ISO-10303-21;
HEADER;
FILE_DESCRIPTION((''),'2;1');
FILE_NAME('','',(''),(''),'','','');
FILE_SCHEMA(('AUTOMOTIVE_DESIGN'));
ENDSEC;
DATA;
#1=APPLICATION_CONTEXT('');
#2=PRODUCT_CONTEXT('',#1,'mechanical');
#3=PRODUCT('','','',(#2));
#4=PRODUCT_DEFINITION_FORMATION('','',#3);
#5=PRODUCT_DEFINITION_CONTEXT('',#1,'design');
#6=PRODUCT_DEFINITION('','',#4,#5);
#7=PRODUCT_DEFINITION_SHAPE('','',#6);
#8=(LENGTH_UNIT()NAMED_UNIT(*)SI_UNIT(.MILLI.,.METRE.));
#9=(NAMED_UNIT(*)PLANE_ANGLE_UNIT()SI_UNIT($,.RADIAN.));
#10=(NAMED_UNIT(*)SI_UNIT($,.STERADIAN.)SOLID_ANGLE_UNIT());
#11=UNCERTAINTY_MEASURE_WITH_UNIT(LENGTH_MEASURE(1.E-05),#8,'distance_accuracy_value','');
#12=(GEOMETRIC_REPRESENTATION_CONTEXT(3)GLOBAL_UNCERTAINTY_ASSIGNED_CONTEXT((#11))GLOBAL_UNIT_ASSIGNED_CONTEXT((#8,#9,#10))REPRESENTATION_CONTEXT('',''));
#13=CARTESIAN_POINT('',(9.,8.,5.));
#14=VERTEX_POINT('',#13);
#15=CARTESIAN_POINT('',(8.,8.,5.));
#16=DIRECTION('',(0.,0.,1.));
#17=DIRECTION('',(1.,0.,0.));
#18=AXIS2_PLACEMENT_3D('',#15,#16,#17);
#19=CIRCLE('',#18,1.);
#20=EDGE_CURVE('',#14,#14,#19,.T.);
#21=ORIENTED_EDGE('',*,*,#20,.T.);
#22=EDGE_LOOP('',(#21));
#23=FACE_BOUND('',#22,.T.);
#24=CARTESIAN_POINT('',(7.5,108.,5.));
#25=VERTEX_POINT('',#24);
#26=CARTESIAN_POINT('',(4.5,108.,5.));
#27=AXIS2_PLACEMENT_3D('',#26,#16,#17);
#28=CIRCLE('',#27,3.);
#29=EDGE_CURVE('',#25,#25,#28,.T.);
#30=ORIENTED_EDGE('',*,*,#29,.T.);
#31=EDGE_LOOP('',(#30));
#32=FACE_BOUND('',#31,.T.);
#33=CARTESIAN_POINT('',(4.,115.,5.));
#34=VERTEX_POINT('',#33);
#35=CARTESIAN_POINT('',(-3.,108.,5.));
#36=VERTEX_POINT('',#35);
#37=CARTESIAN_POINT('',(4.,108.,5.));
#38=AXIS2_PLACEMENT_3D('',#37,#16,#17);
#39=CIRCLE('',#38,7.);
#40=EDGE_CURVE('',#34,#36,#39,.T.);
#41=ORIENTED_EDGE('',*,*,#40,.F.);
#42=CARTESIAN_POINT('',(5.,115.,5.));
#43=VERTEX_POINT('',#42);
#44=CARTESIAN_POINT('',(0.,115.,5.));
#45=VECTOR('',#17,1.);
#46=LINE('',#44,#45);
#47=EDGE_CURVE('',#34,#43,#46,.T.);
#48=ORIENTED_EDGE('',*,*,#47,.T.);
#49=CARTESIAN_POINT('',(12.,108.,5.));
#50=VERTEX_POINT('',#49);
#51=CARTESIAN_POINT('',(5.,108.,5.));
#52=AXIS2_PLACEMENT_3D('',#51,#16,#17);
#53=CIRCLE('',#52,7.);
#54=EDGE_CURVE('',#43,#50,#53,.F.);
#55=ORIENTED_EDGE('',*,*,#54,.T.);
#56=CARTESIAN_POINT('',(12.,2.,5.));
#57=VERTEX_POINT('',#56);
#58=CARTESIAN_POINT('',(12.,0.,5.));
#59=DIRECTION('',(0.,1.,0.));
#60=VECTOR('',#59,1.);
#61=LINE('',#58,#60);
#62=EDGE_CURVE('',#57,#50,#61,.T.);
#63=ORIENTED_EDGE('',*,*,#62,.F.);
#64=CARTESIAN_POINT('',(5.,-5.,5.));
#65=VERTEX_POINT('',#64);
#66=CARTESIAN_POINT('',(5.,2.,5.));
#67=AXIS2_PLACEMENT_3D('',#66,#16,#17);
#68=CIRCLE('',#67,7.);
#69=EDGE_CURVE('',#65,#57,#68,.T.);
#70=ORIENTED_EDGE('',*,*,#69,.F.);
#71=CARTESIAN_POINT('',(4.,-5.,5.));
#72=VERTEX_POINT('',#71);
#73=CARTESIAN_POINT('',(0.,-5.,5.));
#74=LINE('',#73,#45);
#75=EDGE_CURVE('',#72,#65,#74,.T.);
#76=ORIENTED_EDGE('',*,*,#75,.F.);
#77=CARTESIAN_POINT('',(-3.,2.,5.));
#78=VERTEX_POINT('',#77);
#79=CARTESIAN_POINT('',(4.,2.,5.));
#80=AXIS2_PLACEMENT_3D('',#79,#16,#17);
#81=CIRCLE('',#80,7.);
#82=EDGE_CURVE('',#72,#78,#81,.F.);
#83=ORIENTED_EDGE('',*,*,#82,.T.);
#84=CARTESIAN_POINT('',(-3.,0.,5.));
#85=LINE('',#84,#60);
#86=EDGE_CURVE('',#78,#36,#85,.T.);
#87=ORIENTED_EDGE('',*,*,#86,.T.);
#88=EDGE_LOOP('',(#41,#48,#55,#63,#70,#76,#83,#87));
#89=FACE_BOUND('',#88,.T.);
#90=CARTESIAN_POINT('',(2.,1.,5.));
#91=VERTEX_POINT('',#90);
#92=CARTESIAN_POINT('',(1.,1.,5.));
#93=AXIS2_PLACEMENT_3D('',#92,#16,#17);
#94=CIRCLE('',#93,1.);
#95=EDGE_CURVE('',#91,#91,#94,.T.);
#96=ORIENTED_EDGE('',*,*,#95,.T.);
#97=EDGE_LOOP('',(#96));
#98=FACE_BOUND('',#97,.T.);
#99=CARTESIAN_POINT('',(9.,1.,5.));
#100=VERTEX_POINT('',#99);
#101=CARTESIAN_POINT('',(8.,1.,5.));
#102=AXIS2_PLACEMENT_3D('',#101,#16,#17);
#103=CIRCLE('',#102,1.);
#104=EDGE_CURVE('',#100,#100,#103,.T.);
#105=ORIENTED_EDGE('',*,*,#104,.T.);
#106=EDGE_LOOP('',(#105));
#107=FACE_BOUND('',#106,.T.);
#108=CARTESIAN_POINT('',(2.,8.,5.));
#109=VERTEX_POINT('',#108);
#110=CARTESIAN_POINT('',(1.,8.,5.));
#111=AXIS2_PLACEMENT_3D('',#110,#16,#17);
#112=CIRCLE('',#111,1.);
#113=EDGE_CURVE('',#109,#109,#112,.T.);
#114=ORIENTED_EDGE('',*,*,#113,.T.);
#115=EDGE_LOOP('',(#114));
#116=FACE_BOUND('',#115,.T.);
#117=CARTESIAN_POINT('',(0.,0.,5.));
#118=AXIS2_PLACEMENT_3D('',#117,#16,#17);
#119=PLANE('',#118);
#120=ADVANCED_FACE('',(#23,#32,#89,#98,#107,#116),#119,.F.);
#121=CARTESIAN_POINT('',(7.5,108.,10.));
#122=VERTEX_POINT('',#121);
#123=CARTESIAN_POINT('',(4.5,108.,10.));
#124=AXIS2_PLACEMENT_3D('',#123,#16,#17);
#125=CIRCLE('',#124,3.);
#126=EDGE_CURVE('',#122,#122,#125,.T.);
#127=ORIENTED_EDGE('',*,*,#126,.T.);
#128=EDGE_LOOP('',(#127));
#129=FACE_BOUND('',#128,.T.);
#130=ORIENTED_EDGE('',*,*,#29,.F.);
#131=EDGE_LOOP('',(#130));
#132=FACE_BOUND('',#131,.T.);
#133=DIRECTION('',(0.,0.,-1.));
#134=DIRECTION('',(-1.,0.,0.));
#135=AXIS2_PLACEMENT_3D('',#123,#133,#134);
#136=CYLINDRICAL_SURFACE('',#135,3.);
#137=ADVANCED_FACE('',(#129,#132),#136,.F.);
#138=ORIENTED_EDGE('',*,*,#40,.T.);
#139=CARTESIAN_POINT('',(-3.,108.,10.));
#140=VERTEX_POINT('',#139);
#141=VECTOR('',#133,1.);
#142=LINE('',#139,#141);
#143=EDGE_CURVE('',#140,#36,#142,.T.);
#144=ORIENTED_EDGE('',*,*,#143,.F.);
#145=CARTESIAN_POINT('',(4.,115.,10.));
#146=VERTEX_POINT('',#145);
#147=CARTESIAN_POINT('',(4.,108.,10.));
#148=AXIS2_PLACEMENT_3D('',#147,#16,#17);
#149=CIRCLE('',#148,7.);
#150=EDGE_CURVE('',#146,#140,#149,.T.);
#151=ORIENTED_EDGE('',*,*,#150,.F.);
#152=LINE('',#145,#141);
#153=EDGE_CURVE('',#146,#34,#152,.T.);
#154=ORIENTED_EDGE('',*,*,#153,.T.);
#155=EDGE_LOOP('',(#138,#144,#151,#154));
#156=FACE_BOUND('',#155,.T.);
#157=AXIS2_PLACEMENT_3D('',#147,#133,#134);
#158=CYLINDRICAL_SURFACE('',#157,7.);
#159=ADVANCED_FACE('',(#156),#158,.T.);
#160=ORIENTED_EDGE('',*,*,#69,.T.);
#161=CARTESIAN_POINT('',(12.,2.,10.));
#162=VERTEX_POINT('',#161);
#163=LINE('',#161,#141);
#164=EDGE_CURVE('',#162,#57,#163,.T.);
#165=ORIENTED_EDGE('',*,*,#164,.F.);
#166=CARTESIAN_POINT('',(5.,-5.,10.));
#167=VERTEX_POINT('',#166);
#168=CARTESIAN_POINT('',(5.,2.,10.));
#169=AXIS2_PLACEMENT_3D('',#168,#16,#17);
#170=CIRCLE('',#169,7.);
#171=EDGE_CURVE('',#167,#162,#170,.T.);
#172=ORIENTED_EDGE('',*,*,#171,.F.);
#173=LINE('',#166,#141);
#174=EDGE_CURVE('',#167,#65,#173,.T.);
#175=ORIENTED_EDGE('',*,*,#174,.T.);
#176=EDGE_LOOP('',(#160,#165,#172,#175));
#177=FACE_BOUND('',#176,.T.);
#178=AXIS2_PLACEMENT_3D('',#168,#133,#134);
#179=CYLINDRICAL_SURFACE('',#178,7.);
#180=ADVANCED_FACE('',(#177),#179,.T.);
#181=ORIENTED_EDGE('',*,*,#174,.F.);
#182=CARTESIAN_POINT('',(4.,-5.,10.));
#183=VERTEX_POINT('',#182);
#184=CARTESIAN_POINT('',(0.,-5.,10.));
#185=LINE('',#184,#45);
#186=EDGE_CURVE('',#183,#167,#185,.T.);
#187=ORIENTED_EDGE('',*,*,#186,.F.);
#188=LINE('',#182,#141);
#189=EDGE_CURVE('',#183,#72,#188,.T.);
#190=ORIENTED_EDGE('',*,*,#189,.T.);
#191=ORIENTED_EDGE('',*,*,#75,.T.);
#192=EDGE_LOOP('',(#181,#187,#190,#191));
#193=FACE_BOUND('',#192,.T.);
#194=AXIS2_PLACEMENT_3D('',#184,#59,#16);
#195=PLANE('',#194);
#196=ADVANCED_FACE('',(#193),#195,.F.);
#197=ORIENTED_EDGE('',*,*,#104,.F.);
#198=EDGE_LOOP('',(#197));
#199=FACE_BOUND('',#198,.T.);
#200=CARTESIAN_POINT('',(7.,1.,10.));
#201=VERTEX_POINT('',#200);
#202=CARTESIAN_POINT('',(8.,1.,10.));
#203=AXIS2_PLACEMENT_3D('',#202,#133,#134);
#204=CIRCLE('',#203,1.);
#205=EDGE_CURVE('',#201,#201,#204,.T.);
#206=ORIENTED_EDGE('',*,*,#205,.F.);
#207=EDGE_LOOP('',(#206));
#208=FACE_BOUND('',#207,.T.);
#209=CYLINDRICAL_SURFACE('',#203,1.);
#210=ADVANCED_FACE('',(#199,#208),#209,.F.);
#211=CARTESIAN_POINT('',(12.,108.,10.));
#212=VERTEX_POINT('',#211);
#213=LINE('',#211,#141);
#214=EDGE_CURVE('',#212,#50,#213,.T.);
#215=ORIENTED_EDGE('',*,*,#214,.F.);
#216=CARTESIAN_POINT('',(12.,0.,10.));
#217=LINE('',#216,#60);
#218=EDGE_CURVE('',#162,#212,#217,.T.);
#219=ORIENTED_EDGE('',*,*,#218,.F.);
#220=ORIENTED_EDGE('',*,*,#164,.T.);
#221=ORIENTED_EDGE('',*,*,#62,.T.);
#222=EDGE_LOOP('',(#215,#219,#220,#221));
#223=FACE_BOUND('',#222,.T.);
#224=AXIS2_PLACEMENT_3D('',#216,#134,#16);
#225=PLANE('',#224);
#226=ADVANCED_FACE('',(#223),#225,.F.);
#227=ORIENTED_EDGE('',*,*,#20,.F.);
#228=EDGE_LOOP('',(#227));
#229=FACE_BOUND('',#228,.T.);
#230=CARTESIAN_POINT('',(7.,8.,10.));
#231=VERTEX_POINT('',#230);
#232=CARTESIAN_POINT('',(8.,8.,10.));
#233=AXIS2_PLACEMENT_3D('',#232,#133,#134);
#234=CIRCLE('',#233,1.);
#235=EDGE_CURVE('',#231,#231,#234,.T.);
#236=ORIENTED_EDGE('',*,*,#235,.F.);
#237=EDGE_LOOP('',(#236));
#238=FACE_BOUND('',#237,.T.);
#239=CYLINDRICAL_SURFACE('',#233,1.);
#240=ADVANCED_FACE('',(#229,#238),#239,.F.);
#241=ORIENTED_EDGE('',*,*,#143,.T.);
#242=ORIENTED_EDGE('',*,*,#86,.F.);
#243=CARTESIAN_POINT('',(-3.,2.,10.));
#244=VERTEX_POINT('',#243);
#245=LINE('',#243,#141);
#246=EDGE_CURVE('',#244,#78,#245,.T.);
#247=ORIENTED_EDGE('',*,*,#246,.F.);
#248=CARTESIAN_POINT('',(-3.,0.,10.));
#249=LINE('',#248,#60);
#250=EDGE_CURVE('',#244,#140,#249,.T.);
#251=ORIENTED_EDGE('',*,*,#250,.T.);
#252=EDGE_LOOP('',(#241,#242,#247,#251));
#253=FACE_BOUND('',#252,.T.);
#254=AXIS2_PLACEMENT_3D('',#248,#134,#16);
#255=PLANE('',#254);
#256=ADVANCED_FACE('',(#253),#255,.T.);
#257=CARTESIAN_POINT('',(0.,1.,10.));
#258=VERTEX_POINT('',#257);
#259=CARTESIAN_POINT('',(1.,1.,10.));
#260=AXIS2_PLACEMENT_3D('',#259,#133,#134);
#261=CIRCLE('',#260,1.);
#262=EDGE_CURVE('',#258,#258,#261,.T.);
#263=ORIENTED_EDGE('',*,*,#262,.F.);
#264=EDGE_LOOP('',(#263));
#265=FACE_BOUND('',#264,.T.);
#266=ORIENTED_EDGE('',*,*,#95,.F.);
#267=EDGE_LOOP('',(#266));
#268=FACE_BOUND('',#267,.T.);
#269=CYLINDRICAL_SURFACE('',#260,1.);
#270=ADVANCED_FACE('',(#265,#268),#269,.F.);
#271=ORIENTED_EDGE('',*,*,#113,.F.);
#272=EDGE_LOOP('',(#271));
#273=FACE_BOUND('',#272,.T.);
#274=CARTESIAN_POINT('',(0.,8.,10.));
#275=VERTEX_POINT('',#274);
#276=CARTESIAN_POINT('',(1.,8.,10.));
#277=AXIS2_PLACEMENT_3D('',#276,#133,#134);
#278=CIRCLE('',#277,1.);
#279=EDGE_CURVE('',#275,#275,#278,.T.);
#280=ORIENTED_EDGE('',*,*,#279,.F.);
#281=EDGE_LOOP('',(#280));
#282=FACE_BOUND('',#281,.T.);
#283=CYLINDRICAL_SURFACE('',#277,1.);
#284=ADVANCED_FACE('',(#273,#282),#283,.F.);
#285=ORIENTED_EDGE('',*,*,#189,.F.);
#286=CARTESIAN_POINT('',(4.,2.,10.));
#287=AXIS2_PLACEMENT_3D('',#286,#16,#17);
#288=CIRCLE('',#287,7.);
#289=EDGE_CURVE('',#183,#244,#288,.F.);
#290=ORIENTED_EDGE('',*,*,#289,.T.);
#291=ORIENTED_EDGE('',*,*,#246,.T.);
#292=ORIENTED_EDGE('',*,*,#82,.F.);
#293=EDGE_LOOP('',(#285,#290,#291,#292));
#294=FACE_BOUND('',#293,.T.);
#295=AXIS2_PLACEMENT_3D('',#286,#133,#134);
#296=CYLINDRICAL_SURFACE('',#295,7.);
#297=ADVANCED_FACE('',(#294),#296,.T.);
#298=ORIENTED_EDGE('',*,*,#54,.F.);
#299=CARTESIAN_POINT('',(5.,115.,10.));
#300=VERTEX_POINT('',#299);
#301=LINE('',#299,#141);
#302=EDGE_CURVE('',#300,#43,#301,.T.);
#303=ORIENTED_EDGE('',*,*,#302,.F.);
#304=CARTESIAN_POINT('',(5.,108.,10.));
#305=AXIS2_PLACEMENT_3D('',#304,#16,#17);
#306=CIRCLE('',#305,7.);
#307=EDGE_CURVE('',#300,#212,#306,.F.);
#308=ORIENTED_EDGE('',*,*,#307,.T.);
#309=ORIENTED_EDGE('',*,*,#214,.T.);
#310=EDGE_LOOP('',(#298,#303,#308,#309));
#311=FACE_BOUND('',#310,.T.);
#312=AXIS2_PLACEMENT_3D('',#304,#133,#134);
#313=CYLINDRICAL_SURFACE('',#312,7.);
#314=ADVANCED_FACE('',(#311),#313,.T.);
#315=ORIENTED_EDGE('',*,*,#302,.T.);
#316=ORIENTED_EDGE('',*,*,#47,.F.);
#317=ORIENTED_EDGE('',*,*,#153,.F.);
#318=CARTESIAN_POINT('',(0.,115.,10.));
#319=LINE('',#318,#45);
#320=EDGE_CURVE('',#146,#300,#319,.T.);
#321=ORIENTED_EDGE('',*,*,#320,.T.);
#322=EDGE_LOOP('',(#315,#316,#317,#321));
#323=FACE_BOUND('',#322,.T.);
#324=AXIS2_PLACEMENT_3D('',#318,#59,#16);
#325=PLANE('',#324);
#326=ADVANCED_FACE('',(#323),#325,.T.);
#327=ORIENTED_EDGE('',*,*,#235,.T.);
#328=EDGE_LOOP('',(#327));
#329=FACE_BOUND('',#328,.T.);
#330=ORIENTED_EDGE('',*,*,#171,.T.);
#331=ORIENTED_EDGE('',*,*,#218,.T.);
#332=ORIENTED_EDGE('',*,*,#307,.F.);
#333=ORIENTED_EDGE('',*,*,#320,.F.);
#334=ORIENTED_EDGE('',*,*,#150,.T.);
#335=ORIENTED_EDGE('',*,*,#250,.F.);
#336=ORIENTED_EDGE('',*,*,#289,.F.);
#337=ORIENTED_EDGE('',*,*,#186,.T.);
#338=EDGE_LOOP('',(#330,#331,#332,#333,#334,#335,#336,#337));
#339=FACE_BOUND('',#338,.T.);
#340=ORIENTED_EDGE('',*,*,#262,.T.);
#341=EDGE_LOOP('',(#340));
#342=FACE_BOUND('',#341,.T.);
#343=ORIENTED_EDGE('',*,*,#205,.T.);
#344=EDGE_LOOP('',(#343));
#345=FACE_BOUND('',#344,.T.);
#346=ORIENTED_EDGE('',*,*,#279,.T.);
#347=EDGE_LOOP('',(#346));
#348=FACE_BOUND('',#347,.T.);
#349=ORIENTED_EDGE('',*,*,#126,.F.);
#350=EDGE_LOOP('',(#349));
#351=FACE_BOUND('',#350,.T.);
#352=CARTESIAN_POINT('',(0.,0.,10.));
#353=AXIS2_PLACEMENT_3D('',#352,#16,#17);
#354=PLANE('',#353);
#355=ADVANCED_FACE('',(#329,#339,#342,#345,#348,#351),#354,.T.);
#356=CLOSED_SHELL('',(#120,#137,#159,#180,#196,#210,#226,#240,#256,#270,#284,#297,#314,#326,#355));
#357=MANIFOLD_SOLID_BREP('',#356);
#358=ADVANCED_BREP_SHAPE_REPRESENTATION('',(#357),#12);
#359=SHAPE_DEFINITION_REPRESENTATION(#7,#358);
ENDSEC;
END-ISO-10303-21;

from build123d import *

# Parameters (mm, degrees)
SKETCH1_R             = 1
BOSS_EXTRUDE1_DEPTH   = 5
BOSS_EXTRUDE1_2_DEPTH = 5
BOSS_EXTRUDE1_3_DEPTH = 5
BOSS_EXTRUDE1_4_DEPTH = 5
SKETCH2_R             = 3
BOSS_EXTRUDE2_DEPTH   = 5
SKETCH3_R             = 1
CUT_EXTRUDE2_DEPTH    = 10


with BuildPart() as part:
    # Sketch1 → Boss-Extrude1 (new body)
    with BuildSketch(Plane.XY):
        with Locations((8, 1)):
            Circle(SKETCH1_R)
    extrude(amount=BOSS_EXTRUDE1_DEPTH)



with BuildPart() as body_2:
    # Sketch1 → Boss-Extrude1 2 (new body)
    with BuildSketch(Plane.XY):
        with Locations((8, 8)):
            Circle(SKETCH1_R)
    extrude(amount=BOSS_EXTRUDE1_2_DEPTH)


with BuildPart() as body_3:
    # Sketch1 → Boss-Extrude1 3 (new body)
    with BuildSketch(Plane.XY):
        with Locations((1, 8)):
            Circle(SKETCH1_R)
    extrude(amount=BOSS_EXTRUDE1_3_DEPTH)


with BuildPart() as body_4:
    # Sketch1 → Boss-Extrude1 4 (new body)
    with BuildSketch(Plane.XY):
        with Locations((1, 1)):
            Circle(SKETCH1_R)
    extrude(amount=BOSS_EXTRUDE1_4_DEPTH)


with BuildPart() as part_1:
    add(part.part)

    add(body_2.part)  # Boss-Extrude2 merges body 2

    add(body_3.part)  # Boss-Extrude2 merges body 3

    add(body_4.part)  # Boss-Extrude2 merges body 4
    # Sketch2 → Boss-Extrude2 (add)
    with BuildSketch(Plane.XY.offset(5)):
        with BuildLine():
            Line((4, -5), (5, -5))
            ThreePointArc((5, -5), (9.949747468, -2.949747468), (12, 2))
            Line((12, 2), (12, 108))
            ThreePointArc((12, 108), (9.949747468, 112.949747468), (5, 115))
            Line((5, 115), (4, 115))
            ThreePointArc((4, 115), (-0.949747468, 112.949747468), (-3, 108))
            Line((-3, 108), (-3, 2))
            ThreePointArc((-3, 2), (-0.949747468, -2.949747468), (4, -5))
        make_face()
        with Locations((4.5, 108)):
            Circle(SKETCH2_R, mode=Mode.SUBTRACT)
    extrude(amount=BOSS_EXTRUDE2_DEPTH)

    # Sketch3 → Cut-Extrude2 (cut)
    with BuildSketch(Plane(origin=(0, 0, 0), x_dir=(-1, 0, 0), z_dir=(0, 0, -1))):
        with Locations((-8, 8)):
            Circle(SKETCH3_R)
        with Locations((-1, 8)):
            Circle(SKETCH3_R)
        with Locations((-1, 1)):
            Circle(SKETCH3_R)
        with Locations((-8, 1)):
            Circle(SKETCH3_R)
    extrude(amount=-CUT_EXTRUDE2_DEPTH, mode=Mode.SUBTRACT)


solid = part_1.part
